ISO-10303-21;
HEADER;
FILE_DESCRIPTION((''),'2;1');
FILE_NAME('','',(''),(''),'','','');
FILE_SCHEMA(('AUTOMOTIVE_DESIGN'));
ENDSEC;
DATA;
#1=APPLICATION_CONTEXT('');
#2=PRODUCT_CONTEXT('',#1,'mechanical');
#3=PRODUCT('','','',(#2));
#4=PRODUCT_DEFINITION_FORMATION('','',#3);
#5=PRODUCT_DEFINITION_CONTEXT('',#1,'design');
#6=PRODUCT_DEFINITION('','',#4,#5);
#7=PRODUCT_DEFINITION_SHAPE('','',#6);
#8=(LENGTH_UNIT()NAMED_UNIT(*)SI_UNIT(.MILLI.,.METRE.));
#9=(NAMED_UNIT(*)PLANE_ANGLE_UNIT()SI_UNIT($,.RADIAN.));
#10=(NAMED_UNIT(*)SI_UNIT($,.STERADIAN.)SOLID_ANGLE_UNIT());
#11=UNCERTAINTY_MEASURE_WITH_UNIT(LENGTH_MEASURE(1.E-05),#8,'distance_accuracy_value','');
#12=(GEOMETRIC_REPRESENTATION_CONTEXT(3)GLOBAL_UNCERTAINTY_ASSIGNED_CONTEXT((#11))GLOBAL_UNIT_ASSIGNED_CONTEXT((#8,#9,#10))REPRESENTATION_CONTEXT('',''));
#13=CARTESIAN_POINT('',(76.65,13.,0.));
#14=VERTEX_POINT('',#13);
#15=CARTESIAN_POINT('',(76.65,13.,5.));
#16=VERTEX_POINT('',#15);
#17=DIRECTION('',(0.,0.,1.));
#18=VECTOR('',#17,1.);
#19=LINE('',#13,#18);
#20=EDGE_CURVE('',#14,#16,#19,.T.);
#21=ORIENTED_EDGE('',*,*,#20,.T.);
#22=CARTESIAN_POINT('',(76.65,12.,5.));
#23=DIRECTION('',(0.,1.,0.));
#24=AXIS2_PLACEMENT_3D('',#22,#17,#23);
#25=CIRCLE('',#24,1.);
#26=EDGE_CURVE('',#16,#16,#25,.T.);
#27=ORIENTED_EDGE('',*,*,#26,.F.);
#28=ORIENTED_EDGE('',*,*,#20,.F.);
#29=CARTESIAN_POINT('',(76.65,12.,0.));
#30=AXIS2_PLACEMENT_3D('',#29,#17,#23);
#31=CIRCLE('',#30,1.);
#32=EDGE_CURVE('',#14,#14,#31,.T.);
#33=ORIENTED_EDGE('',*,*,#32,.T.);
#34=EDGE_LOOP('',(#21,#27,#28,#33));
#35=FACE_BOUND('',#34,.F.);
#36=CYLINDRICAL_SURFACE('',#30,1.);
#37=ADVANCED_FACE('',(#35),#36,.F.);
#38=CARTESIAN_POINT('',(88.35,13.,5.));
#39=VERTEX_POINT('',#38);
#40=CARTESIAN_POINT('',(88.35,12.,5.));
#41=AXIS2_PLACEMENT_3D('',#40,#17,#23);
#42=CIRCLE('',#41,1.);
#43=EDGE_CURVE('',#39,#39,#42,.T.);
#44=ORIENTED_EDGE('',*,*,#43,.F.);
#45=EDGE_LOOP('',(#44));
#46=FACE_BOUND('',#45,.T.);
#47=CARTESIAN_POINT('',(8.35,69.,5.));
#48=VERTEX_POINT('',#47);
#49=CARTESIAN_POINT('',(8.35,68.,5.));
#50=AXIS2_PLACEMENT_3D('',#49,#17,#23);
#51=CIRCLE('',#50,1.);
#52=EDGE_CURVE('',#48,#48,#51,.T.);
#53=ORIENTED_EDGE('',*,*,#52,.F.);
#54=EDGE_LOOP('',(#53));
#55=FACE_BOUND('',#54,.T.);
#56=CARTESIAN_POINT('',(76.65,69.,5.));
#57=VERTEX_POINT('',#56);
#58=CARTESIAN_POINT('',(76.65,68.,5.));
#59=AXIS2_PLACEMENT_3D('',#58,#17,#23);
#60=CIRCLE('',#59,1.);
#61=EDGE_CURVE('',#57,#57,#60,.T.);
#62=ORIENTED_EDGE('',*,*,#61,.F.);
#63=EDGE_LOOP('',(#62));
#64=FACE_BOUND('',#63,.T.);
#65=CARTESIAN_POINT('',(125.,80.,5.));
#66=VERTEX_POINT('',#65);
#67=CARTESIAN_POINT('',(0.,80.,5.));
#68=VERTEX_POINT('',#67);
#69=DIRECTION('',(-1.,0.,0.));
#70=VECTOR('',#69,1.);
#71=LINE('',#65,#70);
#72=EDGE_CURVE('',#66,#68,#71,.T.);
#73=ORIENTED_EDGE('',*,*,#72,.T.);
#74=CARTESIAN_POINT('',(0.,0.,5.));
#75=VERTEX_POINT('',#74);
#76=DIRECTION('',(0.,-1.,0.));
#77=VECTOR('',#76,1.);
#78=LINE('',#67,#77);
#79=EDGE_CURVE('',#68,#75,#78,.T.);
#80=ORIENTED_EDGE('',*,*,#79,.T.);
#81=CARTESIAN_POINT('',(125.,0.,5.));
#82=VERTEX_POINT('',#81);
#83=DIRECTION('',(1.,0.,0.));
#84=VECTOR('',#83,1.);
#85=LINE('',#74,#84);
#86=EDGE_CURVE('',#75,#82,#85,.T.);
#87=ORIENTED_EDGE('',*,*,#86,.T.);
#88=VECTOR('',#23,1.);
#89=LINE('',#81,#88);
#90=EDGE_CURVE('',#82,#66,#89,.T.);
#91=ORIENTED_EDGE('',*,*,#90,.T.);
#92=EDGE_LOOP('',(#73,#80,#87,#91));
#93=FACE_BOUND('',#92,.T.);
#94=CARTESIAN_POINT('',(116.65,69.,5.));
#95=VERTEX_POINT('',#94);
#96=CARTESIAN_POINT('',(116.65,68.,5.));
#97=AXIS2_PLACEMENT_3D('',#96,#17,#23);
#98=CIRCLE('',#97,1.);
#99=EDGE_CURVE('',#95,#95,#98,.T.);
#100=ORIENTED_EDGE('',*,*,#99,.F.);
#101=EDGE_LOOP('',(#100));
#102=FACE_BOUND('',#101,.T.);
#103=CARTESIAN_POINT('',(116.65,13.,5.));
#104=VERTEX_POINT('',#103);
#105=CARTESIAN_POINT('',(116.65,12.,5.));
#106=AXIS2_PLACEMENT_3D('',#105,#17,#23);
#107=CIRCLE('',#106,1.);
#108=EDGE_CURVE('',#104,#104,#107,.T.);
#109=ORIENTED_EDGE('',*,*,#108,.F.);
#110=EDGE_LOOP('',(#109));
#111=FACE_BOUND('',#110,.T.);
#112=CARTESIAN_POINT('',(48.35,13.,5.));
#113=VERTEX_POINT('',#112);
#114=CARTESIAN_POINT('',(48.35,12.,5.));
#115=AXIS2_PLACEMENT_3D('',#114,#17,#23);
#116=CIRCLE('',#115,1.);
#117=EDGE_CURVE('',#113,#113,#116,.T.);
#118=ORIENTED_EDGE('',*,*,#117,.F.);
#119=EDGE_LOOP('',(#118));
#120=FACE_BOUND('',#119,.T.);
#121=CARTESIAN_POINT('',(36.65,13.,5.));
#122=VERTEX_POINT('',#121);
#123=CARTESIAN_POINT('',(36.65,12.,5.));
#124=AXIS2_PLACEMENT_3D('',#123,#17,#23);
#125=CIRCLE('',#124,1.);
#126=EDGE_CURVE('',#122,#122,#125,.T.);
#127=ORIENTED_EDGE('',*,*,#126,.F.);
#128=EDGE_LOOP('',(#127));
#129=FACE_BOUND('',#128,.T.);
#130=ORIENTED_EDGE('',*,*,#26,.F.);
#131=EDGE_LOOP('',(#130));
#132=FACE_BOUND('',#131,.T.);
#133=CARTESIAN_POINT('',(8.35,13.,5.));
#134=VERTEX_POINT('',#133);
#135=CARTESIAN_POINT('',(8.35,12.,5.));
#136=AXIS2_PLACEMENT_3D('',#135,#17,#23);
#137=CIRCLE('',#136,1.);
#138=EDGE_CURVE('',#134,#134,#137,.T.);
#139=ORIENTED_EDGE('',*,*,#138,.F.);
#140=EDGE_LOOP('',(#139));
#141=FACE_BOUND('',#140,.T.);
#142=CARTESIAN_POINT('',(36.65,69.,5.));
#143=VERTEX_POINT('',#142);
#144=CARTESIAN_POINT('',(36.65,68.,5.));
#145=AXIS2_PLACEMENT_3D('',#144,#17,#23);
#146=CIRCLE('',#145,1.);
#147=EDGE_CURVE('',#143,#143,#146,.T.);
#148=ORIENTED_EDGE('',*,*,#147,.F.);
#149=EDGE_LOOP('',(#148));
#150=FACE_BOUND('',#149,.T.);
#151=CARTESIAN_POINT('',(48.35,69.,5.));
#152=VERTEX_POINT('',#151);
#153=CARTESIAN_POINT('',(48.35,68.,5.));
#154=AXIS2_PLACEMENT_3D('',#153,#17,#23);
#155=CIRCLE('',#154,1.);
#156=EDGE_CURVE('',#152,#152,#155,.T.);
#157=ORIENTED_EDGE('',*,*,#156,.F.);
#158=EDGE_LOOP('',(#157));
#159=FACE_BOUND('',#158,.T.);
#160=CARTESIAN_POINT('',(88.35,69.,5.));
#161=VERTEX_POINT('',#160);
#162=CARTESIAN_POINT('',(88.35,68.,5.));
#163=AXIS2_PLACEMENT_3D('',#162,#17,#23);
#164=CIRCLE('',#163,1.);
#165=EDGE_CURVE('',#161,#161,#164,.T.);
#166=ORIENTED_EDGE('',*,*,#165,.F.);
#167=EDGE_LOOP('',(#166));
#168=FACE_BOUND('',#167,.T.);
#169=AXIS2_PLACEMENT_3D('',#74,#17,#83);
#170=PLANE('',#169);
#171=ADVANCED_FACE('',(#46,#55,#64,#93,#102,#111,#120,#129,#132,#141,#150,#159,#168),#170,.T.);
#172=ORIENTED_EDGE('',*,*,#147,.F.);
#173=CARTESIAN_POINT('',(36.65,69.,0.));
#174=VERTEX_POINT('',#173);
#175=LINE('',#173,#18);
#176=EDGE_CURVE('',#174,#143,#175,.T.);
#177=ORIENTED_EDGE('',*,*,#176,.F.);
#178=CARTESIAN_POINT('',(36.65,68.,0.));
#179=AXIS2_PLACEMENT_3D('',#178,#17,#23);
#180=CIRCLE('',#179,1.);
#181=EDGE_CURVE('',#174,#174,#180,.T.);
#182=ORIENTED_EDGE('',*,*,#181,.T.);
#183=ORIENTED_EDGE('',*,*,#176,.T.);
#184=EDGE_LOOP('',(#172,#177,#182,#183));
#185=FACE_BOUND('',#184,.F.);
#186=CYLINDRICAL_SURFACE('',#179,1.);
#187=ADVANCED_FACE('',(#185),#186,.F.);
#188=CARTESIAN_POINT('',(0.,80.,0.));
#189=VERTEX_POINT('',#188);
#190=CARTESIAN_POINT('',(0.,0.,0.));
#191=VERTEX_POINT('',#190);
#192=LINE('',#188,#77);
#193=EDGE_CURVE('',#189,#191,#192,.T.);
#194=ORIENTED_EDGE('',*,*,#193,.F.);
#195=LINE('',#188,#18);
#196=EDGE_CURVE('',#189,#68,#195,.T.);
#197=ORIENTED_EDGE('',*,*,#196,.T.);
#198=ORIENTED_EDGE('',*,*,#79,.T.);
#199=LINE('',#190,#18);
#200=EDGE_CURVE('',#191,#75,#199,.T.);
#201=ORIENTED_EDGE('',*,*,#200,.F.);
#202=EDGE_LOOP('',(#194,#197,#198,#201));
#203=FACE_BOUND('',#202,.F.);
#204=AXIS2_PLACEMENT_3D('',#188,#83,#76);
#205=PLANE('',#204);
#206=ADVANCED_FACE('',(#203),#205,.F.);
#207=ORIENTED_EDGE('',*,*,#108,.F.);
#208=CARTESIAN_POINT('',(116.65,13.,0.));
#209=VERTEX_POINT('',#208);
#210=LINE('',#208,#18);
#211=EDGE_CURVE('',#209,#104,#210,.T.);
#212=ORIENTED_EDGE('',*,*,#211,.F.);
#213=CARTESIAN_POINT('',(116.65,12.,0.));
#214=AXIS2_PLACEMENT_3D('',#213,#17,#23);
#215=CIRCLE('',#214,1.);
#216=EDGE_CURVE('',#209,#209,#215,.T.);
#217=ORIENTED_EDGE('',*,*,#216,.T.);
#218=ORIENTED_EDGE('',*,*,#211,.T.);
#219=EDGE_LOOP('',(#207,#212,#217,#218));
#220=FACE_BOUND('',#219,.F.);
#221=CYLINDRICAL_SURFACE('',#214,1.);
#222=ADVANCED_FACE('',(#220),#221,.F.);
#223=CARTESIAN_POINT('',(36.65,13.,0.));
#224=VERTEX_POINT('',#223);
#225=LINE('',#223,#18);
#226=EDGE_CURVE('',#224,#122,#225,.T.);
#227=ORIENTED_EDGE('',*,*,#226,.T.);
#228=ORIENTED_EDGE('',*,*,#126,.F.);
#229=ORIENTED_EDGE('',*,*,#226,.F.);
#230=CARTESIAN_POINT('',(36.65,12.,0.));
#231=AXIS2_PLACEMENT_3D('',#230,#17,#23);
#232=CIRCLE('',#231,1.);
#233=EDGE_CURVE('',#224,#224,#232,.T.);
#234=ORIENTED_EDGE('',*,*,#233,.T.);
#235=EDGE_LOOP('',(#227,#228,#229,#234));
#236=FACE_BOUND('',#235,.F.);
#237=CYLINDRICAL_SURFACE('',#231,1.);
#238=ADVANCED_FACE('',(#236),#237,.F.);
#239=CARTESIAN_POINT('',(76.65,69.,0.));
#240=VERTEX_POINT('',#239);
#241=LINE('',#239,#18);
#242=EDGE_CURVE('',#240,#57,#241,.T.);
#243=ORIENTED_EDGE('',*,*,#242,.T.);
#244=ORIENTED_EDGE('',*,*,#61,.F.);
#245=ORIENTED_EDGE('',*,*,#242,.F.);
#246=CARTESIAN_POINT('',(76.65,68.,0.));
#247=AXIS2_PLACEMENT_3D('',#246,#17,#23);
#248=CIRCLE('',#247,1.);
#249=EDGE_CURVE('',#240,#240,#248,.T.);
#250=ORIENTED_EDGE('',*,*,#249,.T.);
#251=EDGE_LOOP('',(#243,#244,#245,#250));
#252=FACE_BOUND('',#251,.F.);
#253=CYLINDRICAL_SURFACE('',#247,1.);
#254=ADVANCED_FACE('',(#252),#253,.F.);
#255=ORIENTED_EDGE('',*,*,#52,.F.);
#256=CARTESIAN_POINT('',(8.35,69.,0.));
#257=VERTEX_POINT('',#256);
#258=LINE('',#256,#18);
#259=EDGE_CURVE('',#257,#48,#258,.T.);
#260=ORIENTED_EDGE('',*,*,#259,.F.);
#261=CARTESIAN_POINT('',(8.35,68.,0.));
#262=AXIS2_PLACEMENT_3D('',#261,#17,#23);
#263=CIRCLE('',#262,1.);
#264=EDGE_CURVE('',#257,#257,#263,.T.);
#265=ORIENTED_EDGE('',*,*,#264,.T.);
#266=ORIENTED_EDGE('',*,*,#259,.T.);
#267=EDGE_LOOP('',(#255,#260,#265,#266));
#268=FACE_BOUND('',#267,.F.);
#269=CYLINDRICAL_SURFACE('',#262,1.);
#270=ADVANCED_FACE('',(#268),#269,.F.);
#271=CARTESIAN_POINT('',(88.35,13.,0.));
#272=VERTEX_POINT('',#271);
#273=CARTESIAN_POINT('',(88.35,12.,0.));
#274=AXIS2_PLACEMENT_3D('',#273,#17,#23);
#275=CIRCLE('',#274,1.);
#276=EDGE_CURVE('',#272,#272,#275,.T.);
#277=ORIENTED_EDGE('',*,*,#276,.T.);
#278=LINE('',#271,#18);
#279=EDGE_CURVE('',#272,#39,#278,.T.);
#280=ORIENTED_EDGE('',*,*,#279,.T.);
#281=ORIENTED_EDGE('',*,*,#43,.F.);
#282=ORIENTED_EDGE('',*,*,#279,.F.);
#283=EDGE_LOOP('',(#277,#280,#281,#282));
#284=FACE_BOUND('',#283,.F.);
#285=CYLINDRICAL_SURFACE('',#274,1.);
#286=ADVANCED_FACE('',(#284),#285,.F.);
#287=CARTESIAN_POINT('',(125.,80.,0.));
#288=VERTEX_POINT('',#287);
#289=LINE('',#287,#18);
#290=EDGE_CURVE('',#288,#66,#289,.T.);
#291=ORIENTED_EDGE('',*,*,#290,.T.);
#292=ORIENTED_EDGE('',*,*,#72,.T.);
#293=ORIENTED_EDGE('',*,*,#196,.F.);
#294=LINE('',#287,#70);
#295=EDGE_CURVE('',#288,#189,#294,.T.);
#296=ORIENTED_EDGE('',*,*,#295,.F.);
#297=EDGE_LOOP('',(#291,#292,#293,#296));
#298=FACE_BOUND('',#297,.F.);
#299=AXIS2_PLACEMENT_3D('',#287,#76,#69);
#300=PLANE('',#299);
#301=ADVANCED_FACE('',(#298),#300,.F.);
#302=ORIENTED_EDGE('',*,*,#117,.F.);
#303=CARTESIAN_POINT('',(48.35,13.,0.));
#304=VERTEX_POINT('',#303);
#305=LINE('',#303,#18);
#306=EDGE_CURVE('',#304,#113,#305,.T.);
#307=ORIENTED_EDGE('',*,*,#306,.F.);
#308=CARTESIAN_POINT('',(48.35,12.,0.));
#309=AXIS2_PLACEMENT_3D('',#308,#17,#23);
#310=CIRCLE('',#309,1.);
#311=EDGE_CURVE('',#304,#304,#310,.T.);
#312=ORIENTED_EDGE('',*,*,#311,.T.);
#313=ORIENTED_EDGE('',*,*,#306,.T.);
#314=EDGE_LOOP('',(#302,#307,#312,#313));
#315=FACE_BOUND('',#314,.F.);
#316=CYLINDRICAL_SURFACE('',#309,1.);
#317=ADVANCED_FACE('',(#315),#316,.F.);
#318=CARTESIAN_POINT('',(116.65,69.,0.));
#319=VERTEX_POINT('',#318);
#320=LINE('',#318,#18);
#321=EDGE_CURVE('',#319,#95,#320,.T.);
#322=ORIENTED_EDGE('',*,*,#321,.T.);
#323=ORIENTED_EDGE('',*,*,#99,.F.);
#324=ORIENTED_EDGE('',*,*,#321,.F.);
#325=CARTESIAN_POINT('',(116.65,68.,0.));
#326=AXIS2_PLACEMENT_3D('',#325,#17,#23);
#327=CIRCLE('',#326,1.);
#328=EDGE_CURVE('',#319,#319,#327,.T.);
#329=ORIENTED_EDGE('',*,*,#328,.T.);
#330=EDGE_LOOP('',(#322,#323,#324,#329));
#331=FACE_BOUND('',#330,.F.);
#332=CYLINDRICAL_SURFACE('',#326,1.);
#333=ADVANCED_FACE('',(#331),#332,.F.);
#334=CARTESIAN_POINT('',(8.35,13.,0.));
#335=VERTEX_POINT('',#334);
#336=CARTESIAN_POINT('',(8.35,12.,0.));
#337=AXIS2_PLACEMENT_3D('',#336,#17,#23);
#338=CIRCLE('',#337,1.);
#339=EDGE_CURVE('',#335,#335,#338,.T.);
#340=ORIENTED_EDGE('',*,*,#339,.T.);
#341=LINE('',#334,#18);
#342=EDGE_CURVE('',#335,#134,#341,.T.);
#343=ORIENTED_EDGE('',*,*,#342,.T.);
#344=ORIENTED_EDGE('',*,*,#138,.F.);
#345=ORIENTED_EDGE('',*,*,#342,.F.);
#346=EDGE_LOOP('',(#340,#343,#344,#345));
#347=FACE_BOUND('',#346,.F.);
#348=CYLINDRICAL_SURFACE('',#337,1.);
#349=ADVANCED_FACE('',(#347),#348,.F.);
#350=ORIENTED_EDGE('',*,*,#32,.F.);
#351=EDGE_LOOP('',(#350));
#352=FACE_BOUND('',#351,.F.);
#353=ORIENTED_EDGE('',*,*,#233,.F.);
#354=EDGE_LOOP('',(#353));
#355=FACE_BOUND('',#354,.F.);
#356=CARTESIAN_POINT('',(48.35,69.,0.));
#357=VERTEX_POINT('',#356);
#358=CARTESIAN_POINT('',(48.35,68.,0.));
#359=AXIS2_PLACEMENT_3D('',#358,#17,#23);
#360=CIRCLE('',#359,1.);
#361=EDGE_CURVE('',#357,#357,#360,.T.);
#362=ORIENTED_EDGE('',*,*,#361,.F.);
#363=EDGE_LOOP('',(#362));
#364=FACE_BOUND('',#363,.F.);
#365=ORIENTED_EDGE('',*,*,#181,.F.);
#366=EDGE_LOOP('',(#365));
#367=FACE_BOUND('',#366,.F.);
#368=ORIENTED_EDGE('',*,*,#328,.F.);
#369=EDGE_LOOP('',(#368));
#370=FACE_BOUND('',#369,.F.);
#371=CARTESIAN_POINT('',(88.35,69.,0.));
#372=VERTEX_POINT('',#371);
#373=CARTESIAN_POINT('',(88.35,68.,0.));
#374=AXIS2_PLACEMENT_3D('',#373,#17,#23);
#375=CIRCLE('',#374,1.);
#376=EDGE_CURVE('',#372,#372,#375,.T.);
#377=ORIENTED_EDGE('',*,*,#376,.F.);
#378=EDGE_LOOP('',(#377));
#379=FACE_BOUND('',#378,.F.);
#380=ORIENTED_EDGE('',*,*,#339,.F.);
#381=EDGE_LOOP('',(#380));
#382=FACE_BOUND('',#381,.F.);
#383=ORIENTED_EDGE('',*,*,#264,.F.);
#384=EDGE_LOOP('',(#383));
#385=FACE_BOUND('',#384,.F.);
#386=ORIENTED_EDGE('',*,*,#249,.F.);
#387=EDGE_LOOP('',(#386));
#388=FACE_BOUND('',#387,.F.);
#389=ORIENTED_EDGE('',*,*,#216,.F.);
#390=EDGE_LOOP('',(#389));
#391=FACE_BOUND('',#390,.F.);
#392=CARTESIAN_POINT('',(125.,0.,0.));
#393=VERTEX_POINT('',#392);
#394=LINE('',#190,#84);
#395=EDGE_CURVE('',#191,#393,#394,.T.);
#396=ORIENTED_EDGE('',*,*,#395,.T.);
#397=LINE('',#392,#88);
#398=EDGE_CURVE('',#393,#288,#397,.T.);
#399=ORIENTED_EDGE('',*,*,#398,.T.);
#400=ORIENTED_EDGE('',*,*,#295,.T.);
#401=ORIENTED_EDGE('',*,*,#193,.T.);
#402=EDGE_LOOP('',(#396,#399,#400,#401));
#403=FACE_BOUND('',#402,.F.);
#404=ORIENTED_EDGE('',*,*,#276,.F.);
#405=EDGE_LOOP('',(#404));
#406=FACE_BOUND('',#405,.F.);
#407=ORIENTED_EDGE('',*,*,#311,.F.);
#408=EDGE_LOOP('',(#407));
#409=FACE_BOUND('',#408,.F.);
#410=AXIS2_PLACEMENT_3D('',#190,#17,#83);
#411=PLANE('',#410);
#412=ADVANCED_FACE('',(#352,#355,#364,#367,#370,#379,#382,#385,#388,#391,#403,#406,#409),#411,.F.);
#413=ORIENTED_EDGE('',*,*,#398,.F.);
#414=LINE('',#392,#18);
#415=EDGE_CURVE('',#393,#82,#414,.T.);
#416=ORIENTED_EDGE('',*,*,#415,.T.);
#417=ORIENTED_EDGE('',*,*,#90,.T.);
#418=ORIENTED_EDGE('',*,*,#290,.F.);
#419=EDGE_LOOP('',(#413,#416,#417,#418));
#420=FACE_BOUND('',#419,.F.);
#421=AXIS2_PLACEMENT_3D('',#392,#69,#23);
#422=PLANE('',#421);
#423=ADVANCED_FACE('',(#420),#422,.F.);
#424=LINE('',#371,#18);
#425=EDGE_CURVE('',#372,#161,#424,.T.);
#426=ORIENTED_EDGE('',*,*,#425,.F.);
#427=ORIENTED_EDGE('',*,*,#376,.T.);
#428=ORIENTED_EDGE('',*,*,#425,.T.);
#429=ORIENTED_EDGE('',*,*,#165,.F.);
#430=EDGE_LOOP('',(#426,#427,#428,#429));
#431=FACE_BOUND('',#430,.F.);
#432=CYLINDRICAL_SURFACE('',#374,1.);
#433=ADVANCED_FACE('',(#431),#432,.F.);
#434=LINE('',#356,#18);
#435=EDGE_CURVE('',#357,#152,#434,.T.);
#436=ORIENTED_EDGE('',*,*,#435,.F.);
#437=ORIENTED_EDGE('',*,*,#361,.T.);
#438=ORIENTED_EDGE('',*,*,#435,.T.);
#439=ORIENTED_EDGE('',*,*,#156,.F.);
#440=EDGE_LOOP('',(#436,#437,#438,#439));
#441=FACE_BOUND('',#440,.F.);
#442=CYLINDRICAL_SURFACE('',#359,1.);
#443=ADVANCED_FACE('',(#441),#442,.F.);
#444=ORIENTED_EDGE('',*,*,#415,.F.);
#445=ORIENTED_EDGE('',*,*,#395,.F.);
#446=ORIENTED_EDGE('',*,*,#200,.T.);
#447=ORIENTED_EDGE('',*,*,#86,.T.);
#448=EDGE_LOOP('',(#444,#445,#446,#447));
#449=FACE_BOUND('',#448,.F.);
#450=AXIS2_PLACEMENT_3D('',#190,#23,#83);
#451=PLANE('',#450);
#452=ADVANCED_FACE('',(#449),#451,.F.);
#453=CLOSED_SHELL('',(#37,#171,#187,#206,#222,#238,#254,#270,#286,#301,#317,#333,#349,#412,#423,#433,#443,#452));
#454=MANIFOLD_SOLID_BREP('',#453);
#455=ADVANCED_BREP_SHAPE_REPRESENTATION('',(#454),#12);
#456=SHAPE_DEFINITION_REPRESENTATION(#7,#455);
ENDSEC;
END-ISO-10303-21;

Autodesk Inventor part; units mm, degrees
ref_plane "YZ Plane" through (0, 0, 0) normal (1, 0, 0) x (0, 1, 0)
ref_plane "XZ Plane" through (0, 0, 0) normal (0, 1, 0) x (-1, 0, 0)
ref_plane "XY Plane" through (0, 0, 0) normal (0, 0, 1) x (1, 0, 0)
sketch "Skizze1" plane through (0, 0, 0) normal (0, 0, 1) x (1, 0, 0)
  line L0 (0, 0) -> (125, 0)
  line L1 (125, 0) -> (125, 80)
  line L2 (125, 80) -> (0, 80)
  line L3 (0, 80) -> (0, 0)
  line L4 (6, 70.5) -> (39, 70.5) construction
  line L5 (39, 70.5) -> (39, 9.5) construction
  line L6 (39, 9.5) -> (6, 9.5) construction
  line L7 (6, 9.5) -> (6, 70.5) construction
  line L8 (46, 70.5) -> (79, 70.5) construction
  line L9 (79, 70.5) -> (79, 9.5) construction
  line L10 (79, 9.5) -> (46, 9.5) construction
  line L11 (46, 9.5) -> (46, 70.5) construction
  line L12 (86, 70.5) -> (119, 70.5) construction
  line L13 (119, 70.5) -> (119, 9.5) construction
  line L14 (119, 9.5) -> (86, 9.5) construction
  line L15 (86, 9.5) -> (86, 70.5) construction
  line L16 (6, 40) -> (119, 40) construction
  line L17 (62.5, 70.5) -> (62.5, 9.5) construction
  line L18 (22.5, 70.5) -> (22.5, 9.5) construction
  line L19 (102.5, 70.5) -> (102.5, 9.5) construction
  line L20 (8.35, 68) -> (36.65, 68) construction
  line L21 (8.35, 68) -> (8.35, 12) construction
  line L22 (8.35, 12) -> (36.65, 12) construction
  line L23 (36.65, 12) -> (36.65, 68) construction
  line L24 (62.5, 80) -> (62.5, 0) construction
  line L25 (48.35, 68) -> (76.65, 68) construction
  line L26 (48.35, 68) -> (48.35, 12) construction
  line L27 (48.35, 12) -> (76.65, 12) construction
  line L28 (76.65, 12) -> (76.65, 68) construction
  line L29 (48.35, 68) -> (76.65, 12) construction
  line L30 (48.35, 12) -> (76.65, 68) construction
  line L31 (116.65, 12) -> (116.65, 68) construction
  line L32 (88.35, 68) -> (116.65, 68) construction
  line L33 (88.35, 68) -> (88.35, 12) construction
  line L34 (88.35, 12) -> (116.65, 12) construction
  line L35 (88.35, 68) -> (116.65, 12) construction
  line L36 (88.35, 12) -> (116.65, 68) construction
  point P0 (62.5, 40)
  point P1 (22.5, 68)
  point P2 (8.35, 40)
  point P3 (0, 40)
  point P4 (62.5, 68)
  point P5 (48.35, 40)
  point P6 (62.5, 40)
  point P7 (102.5, 68)
  point P8 (88.35, 40)
  point P9 (102.5, 40)
  dimension "d0" = 80
  dimension "d1" = 125
  dimension "d2" = 40
  dimension "d3" = 33
  dimension "d4" = 61
  dimension "d5" = 28.3
  dimension "d6" = 56
  dimension "d7" = 28.3
  dimension "d8" = 56
  dimension "d9" = 28.3
  dimension "d10" = 56
extrude "Extrusion1" add sketch "Skizze1" along normal blind 5
hole "Bohrung1" at (8.35, 68, 0) at (36.65, 68, 0) at (8.35, 12, 0) at (36.65, 12, 0) at (76.65, 12, 0) at (76.65, 68, 0) at (48.35, 68, 0) at (48.35, 12, 0) at (116.65, 12, 0) at (116.65, 68, 0) at (88.35, 12, 0) at (88.35, 68, 0) direction (0, 0, 1) diameter 2 end through all
properties part number "MotorDriverFixation"
